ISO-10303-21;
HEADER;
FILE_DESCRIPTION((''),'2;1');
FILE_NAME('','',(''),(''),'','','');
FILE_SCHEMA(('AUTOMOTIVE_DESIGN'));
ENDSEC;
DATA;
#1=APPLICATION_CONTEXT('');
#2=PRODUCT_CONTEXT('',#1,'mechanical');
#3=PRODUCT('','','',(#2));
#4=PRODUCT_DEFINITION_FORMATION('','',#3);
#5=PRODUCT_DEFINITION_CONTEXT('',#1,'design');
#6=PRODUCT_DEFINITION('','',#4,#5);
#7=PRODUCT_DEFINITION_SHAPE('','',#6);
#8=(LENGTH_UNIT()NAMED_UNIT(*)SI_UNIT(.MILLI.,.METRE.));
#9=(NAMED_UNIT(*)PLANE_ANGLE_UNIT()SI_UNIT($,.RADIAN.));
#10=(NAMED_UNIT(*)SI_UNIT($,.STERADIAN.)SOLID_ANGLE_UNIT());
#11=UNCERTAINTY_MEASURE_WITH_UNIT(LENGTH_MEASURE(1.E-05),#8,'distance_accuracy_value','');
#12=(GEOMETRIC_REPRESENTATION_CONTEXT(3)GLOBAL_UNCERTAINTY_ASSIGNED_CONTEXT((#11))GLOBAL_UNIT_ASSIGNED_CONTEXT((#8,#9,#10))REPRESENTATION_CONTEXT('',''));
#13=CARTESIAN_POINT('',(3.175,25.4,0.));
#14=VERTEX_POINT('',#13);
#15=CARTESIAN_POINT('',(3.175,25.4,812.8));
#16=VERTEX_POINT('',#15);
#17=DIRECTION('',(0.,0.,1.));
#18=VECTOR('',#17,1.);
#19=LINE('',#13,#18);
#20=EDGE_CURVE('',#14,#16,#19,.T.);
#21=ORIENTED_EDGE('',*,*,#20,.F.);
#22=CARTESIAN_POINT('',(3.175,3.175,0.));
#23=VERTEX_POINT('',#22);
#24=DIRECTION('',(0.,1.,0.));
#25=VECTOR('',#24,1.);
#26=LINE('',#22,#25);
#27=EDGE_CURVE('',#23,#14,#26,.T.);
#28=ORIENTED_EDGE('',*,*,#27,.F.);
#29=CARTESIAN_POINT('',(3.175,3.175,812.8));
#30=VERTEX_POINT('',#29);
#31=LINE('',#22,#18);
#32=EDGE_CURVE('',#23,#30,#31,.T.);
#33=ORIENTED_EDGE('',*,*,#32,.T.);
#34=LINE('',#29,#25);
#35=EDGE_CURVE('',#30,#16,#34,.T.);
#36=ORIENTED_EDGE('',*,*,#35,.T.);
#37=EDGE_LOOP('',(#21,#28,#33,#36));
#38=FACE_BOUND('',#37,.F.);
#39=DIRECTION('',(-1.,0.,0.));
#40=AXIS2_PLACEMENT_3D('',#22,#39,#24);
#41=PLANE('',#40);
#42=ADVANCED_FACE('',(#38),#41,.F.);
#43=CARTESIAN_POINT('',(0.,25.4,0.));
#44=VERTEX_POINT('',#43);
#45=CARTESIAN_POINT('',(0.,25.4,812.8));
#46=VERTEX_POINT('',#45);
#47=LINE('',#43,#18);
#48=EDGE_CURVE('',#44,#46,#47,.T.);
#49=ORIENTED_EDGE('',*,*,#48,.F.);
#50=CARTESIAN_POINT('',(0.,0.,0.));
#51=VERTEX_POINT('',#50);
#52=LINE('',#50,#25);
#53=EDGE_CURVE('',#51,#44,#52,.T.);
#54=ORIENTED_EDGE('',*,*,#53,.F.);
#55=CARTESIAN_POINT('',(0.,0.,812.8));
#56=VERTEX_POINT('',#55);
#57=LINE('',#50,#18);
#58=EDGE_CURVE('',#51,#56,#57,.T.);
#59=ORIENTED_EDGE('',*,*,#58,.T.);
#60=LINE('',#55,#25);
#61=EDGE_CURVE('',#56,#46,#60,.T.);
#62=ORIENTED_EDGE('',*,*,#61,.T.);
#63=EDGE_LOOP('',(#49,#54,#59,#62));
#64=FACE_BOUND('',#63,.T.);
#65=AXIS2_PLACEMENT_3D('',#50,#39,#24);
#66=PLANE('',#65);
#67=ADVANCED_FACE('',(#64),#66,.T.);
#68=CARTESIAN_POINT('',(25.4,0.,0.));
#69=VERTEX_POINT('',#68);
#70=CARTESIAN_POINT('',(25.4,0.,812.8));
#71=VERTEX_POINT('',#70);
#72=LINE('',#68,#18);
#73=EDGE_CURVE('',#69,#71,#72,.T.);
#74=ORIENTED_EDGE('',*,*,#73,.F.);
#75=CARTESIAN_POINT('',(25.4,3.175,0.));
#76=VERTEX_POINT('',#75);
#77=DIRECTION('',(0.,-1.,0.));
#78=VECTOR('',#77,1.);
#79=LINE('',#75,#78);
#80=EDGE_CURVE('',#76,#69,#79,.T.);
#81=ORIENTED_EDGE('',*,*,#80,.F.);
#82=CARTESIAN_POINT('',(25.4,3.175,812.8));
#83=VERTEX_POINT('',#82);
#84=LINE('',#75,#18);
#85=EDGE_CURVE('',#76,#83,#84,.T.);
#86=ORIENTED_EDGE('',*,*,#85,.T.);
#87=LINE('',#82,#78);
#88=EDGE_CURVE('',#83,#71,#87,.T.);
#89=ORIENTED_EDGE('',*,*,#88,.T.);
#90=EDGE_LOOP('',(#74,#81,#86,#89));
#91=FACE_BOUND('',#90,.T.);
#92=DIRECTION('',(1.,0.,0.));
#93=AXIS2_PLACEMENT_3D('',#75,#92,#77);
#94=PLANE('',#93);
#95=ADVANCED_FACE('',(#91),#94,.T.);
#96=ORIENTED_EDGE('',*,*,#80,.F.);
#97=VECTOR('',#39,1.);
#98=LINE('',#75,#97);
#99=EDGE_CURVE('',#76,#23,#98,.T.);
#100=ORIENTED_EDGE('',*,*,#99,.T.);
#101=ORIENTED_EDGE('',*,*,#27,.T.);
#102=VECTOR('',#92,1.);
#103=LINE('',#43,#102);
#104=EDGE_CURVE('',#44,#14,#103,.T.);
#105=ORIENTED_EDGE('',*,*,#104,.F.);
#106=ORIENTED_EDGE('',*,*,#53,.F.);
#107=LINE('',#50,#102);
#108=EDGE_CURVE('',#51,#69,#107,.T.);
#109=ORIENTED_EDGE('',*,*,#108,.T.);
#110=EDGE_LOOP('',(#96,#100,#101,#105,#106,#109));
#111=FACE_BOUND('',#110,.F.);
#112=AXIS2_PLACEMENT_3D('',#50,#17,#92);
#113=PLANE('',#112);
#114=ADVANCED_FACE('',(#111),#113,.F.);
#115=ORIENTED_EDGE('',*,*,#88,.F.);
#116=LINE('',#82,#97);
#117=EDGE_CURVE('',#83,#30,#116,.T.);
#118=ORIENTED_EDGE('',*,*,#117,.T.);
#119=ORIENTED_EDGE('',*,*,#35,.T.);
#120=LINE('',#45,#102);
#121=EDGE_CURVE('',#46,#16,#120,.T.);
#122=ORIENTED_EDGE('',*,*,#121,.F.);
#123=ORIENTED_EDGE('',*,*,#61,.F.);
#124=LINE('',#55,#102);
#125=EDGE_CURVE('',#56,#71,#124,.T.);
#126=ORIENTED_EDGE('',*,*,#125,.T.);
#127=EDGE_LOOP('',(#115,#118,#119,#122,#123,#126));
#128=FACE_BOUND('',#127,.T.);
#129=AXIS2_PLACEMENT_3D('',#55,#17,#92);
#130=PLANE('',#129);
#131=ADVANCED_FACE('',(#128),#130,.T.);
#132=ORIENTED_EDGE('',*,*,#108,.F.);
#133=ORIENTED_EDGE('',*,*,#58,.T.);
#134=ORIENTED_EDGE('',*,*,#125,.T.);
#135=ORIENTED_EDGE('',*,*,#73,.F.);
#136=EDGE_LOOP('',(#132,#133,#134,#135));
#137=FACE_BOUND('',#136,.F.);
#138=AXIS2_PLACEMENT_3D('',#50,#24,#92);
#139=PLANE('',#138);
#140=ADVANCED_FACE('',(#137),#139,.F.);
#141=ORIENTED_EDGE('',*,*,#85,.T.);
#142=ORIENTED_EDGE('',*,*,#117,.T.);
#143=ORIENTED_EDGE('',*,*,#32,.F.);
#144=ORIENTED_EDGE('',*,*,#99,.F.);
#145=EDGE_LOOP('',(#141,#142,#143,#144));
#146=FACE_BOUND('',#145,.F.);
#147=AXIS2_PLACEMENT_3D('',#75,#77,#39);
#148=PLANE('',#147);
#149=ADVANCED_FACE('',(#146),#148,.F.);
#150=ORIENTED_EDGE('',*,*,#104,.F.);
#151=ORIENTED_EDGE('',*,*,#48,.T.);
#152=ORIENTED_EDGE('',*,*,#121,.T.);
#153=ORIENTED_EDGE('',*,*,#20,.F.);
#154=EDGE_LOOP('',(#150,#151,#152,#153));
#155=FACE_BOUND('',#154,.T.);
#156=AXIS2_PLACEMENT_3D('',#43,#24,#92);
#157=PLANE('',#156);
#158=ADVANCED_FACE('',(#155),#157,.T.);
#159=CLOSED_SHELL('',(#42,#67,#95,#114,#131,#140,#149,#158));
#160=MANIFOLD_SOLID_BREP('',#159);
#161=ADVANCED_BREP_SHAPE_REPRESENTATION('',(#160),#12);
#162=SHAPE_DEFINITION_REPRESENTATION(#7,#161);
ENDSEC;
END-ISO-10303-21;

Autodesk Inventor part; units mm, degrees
ref_plane "YZ Plane" through (0, 0, 0) normal (1, 0, 0) x (0, 1, 0)
ref_plane "XZ Plane" through (0, 0, 0) normal (0, 1, 0) x (-1, 0, 0)
ref_plane "XY Plane" through (0, 0, 0) normal (0, 0, 1) x (1, 0, 0)
sketch "Sketch1" plane through (0, 0, 0) normal (0, 0, 1) x (1, 0, 0)
  line L0 (0, 0) -> (0, 25.4)
  line L1 (0, 0) -> (25.4, 0)
  line L2 (25.4, 3.175) -> (3.175, 3.175)
  line L3 (3.175, 3.175) -> (3.175, 25.4)
  line L4 (25.4, 3.175) -> (25.4, 0)
  line L5 (0, 25.4) -> (3.175, 25.4)
  dimension "d0" = 25.4
  dimension "d1" = 25.4
  dimension "d2" = 3.175
extrude "Extrusion1" add sketch "Sketch1" along normal blind 812.8
properties part number "32 L bracket"
